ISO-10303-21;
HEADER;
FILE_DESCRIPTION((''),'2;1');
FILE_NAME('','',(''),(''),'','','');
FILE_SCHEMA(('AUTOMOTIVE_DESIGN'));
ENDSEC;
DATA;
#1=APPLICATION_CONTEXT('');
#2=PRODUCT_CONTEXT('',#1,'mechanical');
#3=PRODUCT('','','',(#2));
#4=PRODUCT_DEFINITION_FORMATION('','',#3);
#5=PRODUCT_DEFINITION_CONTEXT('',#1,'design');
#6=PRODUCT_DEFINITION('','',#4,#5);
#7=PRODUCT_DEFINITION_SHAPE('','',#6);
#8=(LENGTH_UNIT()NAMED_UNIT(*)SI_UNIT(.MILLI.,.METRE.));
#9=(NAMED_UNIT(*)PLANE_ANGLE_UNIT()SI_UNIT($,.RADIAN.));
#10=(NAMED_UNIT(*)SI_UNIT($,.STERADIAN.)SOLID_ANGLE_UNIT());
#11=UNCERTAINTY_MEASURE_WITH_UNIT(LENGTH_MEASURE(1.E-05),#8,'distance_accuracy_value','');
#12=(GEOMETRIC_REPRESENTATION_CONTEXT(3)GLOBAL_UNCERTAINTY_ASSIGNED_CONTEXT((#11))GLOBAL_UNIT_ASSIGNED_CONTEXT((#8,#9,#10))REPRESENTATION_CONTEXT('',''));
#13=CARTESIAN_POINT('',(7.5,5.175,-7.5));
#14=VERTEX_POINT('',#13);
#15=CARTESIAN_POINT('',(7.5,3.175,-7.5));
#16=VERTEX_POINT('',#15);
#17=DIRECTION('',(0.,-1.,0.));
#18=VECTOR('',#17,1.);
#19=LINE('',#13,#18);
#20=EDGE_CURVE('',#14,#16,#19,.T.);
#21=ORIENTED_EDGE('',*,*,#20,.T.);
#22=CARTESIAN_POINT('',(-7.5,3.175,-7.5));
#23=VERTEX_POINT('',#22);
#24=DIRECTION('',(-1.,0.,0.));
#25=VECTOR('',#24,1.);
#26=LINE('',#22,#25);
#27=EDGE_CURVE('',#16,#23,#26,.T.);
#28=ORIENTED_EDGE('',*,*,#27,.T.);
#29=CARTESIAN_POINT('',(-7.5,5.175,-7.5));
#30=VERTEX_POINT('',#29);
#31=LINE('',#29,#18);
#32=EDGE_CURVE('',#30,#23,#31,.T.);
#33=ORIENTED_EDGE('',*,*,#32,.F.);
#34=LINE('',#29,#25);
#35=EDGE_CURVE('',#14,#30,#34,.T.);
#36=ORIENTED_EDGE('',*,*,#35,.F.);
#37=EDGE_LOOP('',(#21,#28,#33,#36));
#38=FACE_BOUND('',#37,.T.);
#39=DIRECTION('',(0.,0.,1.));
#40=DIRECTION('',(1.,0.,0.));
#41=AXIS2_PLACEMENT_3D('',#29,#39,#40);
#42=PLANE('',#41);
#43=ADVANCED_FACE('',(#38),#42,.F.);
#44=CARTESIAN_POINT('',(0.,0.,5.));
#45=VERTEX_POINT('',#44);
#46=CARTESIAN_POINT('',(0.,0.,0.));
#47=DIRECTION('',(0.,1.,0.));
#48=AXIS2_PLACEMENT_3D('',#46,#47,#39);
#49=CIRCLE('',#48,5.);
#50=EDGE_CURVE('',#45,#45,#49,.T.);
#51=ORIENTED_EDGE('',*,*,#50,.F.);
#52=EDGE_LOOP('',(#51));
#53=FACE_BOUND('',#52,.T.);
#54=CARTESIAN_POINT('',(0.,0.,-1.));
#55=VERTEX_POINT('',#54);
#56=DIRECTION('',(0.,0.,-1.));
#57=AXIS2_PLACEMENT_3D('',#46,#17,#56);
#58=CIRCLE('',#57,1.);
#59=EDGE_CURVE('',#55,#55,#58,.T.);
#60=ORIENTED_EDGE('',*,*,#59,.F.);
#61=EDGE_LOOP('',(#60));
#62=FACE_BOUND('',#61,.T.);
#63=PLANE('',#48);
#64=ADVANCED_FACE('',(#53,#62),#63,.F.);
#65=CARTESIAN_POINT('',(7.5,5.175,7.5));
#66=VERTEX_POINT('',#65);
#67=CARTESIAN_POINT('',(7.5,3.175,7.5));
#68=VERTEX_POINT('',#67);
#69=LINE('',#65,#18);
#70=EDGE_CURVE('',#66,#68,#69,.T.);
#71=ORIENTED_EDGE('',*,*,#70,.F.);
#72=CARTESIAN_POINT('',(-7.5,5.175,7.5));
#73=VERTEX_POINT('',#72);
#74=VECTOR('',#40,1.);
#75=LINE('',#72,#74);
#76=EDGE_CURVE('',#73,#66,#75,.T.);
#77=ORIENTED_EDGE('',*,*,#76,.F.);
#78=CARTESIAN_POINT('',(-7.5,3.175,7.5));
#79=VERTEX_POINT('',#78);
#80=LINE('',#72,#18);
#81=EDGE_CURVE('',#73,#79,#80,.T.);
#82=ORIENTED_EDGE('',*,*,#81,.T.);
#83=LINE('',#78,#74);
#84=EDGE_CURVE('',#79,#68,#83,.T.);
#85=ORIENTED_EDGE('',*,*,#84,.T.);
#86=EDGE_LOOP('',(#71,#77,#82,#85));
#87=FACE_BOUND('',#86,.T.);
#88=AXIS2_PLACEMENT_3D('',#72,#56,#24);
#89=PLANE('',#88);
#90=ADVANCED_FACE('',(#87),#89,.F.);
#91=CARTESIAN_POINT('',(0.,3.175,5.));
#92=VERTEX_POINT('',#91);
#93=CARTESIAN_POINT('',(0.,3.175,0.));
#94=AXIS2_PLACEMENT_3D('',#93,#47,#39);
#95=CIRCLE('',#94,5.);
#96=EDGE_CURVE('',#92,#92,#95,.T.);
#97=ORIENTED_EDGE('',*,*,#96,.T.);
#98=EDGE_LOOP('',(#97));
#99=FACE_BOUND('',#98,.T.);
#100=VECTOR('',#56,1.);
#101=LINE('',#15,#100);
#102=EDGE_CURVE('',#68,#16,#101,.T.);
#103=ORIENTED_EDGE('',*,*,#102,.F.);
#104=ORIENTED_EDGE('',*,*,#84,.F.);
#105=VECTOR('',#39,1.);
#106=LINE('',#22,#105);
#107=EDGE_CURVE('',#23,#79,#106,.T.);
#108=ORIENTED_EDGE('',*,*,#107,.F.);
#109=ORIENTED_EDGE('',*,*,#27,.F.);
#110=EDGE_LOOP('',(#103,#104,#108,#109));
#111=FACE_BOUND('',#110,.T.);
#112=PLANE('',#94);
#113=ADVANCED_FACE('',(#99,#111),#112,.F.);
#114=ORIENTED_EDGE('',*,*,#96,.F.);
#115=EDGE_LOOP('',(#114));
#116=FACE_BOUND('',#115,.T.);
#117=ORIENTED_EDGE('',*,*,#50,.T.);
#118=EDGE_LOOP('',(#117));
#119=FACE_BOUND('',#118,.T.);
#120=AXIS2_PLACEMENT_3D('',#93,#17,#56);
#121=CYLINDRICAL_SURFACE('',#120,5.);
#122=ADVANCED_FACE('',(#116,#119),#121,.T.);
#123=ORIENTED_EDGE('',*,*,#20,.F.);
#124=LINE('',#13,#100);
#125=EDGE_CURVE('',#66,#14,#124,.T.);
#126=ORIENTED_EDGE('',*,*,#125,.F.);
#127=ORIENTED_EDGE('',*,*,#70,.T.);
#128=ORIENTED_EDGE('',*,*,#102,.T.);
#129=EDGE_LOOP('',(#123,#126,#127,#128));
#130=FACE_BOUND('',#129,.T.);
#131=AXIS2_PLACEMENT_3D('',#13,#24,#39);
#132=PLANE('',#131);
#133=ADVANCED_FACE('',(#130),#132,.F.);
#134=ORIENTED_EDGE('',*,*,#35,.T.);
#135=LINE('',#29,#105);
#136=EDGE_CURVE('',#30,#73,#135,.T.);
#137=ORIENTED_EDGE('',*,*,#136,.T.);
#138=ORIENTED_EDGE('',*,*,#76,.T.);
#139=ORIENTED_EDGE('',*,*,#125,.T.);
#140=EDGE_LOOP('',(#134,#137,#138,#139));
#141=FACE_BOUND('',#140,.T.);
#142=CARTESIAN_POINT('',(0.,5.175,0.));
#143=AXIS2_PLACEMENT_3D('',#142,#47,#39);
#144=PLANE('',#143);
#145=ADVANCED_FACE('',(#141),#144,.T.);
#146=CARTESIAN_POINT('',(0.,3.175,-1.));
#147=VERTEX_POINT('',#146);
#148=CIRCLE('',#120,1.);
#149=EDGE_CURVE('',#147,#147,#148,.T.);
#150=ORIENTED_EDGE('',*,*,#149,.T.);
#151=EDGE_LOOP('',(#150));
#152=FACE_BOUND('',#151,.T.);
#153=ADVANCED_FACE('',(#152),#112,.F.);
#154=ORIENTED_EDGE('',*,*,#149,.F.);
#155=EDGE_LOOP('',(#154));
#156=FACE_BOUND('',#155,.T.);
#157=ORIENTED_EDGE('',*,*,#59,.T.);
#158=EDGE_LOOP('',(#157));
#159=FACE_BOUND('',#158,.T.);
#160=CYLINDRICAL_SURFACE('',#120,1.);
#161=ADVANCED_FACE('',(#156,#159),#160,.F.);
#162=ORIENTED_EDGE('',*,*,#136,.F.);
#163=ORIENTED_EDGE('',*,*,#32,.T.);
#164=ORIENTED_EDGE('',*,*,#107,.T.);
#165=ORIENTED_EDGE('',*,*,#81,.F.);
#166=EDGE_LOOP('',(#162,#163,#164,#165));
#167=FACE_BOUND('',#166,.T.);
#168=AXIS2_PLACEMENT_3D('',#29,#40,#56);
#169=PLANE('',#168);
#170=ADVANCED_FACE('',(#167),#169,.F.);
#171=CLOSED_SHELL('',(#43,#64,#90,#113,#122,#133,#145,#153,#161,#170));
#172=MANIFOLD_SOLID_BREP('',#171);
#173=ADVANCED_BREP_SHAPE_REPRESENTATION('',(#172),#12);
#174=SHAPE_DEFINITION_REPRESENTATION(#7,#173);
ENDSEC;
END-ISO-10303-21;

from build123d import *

# Parameters (mm, degrees)
SKETCH1_R           = 5
BOSS_EXTRUDE1_DEPTH = 3.175
SKETCH2_R           = 1
CUT_EXTRUDE1_DEPTH  = 3.175
SKETCH3_W           = 15
SKETCH3_H           = 15
BOSS_EXTRUDE2_DEPTH = 2


with BuildPart() as part:
    # Sketch1 → Boss-Extrude1 (new body)
    with BuildSketch(Plane(origin=(0, 0, 0), x_dir=(1, 0, 0), z_dir=(0, 1, 0))):
        Circle(SKETCH1_R)
    extrude(amount=BOSS_EXTRUDE1_DEPTH)

    # Sketch2 → Cut-Extrude1 (cut)
    with BuildSketch(Plane.XZ):
        Circle(SKETCH2_R)
    extrude(amount=-CUT_EXTRUDE1_DEPTH, mode=Mode.SUBTRACT)

    # Sketch3 → Boss-Extrude2 (add)
    with BuildSketch(Plane(origin=(0, 3.175, 0), x_dir=(1, 0, 0), z_dir=(0, 1, 0))):
        Rectangle(SKETCH3_W, SKETCH3_H)
    extrude(amount=BOSS_EXTRUDE2_DEPTH)


solid = part.part
